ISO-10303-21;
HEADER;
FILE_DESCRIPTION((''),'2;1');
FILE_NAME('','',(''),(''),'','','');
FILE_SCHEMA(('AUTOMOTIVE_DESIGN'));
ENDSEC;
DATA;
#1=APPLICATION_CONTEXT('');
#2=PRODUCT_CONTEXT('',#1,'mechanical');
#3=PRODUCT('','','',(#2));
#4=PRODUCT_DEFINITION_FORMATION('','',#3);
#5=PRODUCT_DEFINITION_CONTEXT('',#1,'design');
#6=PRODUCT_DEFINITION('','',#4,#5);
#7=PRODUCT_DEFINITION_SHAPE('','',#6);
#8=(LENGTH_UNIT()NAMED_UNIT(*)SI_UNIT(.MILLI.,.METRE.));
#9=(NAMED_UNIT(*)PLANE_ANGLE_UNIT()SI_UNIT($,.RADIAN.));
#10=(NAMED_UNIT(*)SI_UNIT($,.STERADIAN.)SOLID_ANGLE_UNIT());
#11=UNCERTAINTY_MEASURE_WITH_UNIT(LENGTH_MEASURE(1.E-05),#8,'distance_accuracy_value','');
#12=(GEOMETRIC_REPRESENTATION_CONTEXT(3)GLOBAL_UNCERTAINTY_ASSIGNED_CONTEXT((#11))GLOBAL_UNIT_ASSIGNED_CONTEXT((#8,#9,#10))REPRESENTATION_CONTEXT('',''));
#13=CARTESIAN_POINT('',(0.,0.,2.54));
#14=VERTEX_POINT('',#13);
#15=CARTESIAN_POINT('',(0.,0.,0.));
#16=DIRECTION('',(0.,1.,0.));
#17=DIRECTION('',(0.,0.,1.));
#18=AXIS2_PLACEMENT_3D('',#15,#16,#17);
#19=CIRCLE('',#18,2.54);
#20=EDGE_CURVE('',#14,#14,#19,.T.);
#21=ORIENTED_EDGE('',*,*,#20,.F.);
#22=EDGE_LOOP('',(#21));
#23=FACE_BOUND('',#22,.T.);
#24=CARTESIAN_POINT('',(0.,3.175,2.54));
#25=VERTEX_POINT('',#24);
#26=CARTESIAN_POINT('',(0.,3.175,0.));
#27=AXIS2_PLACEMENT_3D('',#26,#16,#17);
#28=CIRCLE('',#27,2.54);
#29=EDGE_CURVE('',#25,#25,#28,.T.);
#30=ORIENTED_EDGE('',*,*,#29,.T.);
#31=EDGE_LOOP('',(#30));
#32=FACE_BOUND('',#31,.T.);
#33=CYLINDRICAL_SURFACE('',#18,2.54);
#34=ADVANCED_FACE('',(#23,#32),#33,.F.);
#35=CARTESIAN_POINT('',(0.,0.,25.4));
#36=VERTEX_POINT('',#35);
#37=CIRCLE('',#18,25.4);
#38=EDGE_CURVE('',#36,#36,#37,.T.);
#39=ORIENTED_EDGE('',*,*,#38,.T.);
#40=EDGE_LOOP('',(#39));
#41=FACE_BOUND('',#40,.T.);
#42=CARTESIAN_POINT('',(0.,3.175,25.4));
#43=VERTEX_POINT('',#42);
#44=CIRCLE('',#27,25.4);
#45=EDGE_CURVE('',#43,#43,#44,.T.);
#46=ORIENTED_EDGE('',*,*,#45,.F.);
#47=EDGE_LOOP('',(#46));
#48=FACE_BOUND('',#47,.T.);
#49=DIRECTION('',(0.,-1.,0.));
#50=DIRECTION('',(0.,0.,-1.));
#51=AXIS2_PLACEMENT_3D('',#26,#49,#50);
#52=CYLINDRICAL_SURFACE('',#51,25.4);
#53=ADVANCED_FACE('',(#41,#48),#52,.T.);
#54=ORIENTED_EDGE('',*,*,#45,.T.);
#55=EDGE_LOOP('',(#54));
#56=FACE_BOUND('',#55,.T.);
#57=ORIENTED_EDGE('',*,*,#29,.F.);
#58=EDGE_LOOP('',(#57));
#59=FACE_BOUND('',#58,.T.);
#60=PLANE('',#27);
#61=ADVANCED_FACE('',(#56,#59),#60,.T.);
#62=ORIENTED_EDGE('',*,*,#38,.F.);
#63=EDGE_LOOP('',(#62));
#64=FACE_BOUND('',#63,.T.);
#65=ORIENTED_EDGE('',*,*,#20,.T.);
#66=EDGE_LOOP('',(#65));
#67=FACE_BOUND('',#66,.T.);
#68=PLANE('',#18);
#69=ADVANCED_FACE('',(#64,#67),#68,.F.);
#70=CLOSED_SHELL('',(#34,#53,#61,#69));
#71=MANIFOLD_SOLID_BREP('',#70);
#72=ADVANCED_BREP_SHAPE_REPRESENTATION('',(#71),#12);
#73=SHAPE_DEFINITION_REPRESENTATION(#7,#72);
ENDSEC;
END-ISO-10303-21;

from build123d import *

# Parameters (mm, degrees)
SKETCH1_R           = 25.4
BOSS_EXTRUDE1_DEPTH = 3.175
SKETCH2_R           = 2.54
CUT_EXTRUDE1_DEPTH  = 3.175


with BuildPart() as part:
    # Sketch1 → Boss-Extrude1 (new body)
    with BuildSketch(Plane(origin=(0, 0, 0), x_dir=(1, 0, 0), z_dir=(0, 1, 0))):
        with Locations(Location((0, 0, 0), (0, 0, 270))):
            Circle(SKETCH1_R)
    extrude(amount=BOSS_EXTRUDE1_DEPTH)

    # Sketch2 → Cut-Extrude1 (cut)
    with BuildSketch(Plane(origin=(0, 3.175, 0), x_dir=(1, 0, 0), z_dir=(0, 1, 0))):
        with Locations(Location((0, 0, 0), (0, 0, 270))):
            Circle(SKETCH2_R)
    extrude(amount=-CUT_EXTRUDE1_DEPTH, mode=Mode.SUBTRACT)


solid = part.part
